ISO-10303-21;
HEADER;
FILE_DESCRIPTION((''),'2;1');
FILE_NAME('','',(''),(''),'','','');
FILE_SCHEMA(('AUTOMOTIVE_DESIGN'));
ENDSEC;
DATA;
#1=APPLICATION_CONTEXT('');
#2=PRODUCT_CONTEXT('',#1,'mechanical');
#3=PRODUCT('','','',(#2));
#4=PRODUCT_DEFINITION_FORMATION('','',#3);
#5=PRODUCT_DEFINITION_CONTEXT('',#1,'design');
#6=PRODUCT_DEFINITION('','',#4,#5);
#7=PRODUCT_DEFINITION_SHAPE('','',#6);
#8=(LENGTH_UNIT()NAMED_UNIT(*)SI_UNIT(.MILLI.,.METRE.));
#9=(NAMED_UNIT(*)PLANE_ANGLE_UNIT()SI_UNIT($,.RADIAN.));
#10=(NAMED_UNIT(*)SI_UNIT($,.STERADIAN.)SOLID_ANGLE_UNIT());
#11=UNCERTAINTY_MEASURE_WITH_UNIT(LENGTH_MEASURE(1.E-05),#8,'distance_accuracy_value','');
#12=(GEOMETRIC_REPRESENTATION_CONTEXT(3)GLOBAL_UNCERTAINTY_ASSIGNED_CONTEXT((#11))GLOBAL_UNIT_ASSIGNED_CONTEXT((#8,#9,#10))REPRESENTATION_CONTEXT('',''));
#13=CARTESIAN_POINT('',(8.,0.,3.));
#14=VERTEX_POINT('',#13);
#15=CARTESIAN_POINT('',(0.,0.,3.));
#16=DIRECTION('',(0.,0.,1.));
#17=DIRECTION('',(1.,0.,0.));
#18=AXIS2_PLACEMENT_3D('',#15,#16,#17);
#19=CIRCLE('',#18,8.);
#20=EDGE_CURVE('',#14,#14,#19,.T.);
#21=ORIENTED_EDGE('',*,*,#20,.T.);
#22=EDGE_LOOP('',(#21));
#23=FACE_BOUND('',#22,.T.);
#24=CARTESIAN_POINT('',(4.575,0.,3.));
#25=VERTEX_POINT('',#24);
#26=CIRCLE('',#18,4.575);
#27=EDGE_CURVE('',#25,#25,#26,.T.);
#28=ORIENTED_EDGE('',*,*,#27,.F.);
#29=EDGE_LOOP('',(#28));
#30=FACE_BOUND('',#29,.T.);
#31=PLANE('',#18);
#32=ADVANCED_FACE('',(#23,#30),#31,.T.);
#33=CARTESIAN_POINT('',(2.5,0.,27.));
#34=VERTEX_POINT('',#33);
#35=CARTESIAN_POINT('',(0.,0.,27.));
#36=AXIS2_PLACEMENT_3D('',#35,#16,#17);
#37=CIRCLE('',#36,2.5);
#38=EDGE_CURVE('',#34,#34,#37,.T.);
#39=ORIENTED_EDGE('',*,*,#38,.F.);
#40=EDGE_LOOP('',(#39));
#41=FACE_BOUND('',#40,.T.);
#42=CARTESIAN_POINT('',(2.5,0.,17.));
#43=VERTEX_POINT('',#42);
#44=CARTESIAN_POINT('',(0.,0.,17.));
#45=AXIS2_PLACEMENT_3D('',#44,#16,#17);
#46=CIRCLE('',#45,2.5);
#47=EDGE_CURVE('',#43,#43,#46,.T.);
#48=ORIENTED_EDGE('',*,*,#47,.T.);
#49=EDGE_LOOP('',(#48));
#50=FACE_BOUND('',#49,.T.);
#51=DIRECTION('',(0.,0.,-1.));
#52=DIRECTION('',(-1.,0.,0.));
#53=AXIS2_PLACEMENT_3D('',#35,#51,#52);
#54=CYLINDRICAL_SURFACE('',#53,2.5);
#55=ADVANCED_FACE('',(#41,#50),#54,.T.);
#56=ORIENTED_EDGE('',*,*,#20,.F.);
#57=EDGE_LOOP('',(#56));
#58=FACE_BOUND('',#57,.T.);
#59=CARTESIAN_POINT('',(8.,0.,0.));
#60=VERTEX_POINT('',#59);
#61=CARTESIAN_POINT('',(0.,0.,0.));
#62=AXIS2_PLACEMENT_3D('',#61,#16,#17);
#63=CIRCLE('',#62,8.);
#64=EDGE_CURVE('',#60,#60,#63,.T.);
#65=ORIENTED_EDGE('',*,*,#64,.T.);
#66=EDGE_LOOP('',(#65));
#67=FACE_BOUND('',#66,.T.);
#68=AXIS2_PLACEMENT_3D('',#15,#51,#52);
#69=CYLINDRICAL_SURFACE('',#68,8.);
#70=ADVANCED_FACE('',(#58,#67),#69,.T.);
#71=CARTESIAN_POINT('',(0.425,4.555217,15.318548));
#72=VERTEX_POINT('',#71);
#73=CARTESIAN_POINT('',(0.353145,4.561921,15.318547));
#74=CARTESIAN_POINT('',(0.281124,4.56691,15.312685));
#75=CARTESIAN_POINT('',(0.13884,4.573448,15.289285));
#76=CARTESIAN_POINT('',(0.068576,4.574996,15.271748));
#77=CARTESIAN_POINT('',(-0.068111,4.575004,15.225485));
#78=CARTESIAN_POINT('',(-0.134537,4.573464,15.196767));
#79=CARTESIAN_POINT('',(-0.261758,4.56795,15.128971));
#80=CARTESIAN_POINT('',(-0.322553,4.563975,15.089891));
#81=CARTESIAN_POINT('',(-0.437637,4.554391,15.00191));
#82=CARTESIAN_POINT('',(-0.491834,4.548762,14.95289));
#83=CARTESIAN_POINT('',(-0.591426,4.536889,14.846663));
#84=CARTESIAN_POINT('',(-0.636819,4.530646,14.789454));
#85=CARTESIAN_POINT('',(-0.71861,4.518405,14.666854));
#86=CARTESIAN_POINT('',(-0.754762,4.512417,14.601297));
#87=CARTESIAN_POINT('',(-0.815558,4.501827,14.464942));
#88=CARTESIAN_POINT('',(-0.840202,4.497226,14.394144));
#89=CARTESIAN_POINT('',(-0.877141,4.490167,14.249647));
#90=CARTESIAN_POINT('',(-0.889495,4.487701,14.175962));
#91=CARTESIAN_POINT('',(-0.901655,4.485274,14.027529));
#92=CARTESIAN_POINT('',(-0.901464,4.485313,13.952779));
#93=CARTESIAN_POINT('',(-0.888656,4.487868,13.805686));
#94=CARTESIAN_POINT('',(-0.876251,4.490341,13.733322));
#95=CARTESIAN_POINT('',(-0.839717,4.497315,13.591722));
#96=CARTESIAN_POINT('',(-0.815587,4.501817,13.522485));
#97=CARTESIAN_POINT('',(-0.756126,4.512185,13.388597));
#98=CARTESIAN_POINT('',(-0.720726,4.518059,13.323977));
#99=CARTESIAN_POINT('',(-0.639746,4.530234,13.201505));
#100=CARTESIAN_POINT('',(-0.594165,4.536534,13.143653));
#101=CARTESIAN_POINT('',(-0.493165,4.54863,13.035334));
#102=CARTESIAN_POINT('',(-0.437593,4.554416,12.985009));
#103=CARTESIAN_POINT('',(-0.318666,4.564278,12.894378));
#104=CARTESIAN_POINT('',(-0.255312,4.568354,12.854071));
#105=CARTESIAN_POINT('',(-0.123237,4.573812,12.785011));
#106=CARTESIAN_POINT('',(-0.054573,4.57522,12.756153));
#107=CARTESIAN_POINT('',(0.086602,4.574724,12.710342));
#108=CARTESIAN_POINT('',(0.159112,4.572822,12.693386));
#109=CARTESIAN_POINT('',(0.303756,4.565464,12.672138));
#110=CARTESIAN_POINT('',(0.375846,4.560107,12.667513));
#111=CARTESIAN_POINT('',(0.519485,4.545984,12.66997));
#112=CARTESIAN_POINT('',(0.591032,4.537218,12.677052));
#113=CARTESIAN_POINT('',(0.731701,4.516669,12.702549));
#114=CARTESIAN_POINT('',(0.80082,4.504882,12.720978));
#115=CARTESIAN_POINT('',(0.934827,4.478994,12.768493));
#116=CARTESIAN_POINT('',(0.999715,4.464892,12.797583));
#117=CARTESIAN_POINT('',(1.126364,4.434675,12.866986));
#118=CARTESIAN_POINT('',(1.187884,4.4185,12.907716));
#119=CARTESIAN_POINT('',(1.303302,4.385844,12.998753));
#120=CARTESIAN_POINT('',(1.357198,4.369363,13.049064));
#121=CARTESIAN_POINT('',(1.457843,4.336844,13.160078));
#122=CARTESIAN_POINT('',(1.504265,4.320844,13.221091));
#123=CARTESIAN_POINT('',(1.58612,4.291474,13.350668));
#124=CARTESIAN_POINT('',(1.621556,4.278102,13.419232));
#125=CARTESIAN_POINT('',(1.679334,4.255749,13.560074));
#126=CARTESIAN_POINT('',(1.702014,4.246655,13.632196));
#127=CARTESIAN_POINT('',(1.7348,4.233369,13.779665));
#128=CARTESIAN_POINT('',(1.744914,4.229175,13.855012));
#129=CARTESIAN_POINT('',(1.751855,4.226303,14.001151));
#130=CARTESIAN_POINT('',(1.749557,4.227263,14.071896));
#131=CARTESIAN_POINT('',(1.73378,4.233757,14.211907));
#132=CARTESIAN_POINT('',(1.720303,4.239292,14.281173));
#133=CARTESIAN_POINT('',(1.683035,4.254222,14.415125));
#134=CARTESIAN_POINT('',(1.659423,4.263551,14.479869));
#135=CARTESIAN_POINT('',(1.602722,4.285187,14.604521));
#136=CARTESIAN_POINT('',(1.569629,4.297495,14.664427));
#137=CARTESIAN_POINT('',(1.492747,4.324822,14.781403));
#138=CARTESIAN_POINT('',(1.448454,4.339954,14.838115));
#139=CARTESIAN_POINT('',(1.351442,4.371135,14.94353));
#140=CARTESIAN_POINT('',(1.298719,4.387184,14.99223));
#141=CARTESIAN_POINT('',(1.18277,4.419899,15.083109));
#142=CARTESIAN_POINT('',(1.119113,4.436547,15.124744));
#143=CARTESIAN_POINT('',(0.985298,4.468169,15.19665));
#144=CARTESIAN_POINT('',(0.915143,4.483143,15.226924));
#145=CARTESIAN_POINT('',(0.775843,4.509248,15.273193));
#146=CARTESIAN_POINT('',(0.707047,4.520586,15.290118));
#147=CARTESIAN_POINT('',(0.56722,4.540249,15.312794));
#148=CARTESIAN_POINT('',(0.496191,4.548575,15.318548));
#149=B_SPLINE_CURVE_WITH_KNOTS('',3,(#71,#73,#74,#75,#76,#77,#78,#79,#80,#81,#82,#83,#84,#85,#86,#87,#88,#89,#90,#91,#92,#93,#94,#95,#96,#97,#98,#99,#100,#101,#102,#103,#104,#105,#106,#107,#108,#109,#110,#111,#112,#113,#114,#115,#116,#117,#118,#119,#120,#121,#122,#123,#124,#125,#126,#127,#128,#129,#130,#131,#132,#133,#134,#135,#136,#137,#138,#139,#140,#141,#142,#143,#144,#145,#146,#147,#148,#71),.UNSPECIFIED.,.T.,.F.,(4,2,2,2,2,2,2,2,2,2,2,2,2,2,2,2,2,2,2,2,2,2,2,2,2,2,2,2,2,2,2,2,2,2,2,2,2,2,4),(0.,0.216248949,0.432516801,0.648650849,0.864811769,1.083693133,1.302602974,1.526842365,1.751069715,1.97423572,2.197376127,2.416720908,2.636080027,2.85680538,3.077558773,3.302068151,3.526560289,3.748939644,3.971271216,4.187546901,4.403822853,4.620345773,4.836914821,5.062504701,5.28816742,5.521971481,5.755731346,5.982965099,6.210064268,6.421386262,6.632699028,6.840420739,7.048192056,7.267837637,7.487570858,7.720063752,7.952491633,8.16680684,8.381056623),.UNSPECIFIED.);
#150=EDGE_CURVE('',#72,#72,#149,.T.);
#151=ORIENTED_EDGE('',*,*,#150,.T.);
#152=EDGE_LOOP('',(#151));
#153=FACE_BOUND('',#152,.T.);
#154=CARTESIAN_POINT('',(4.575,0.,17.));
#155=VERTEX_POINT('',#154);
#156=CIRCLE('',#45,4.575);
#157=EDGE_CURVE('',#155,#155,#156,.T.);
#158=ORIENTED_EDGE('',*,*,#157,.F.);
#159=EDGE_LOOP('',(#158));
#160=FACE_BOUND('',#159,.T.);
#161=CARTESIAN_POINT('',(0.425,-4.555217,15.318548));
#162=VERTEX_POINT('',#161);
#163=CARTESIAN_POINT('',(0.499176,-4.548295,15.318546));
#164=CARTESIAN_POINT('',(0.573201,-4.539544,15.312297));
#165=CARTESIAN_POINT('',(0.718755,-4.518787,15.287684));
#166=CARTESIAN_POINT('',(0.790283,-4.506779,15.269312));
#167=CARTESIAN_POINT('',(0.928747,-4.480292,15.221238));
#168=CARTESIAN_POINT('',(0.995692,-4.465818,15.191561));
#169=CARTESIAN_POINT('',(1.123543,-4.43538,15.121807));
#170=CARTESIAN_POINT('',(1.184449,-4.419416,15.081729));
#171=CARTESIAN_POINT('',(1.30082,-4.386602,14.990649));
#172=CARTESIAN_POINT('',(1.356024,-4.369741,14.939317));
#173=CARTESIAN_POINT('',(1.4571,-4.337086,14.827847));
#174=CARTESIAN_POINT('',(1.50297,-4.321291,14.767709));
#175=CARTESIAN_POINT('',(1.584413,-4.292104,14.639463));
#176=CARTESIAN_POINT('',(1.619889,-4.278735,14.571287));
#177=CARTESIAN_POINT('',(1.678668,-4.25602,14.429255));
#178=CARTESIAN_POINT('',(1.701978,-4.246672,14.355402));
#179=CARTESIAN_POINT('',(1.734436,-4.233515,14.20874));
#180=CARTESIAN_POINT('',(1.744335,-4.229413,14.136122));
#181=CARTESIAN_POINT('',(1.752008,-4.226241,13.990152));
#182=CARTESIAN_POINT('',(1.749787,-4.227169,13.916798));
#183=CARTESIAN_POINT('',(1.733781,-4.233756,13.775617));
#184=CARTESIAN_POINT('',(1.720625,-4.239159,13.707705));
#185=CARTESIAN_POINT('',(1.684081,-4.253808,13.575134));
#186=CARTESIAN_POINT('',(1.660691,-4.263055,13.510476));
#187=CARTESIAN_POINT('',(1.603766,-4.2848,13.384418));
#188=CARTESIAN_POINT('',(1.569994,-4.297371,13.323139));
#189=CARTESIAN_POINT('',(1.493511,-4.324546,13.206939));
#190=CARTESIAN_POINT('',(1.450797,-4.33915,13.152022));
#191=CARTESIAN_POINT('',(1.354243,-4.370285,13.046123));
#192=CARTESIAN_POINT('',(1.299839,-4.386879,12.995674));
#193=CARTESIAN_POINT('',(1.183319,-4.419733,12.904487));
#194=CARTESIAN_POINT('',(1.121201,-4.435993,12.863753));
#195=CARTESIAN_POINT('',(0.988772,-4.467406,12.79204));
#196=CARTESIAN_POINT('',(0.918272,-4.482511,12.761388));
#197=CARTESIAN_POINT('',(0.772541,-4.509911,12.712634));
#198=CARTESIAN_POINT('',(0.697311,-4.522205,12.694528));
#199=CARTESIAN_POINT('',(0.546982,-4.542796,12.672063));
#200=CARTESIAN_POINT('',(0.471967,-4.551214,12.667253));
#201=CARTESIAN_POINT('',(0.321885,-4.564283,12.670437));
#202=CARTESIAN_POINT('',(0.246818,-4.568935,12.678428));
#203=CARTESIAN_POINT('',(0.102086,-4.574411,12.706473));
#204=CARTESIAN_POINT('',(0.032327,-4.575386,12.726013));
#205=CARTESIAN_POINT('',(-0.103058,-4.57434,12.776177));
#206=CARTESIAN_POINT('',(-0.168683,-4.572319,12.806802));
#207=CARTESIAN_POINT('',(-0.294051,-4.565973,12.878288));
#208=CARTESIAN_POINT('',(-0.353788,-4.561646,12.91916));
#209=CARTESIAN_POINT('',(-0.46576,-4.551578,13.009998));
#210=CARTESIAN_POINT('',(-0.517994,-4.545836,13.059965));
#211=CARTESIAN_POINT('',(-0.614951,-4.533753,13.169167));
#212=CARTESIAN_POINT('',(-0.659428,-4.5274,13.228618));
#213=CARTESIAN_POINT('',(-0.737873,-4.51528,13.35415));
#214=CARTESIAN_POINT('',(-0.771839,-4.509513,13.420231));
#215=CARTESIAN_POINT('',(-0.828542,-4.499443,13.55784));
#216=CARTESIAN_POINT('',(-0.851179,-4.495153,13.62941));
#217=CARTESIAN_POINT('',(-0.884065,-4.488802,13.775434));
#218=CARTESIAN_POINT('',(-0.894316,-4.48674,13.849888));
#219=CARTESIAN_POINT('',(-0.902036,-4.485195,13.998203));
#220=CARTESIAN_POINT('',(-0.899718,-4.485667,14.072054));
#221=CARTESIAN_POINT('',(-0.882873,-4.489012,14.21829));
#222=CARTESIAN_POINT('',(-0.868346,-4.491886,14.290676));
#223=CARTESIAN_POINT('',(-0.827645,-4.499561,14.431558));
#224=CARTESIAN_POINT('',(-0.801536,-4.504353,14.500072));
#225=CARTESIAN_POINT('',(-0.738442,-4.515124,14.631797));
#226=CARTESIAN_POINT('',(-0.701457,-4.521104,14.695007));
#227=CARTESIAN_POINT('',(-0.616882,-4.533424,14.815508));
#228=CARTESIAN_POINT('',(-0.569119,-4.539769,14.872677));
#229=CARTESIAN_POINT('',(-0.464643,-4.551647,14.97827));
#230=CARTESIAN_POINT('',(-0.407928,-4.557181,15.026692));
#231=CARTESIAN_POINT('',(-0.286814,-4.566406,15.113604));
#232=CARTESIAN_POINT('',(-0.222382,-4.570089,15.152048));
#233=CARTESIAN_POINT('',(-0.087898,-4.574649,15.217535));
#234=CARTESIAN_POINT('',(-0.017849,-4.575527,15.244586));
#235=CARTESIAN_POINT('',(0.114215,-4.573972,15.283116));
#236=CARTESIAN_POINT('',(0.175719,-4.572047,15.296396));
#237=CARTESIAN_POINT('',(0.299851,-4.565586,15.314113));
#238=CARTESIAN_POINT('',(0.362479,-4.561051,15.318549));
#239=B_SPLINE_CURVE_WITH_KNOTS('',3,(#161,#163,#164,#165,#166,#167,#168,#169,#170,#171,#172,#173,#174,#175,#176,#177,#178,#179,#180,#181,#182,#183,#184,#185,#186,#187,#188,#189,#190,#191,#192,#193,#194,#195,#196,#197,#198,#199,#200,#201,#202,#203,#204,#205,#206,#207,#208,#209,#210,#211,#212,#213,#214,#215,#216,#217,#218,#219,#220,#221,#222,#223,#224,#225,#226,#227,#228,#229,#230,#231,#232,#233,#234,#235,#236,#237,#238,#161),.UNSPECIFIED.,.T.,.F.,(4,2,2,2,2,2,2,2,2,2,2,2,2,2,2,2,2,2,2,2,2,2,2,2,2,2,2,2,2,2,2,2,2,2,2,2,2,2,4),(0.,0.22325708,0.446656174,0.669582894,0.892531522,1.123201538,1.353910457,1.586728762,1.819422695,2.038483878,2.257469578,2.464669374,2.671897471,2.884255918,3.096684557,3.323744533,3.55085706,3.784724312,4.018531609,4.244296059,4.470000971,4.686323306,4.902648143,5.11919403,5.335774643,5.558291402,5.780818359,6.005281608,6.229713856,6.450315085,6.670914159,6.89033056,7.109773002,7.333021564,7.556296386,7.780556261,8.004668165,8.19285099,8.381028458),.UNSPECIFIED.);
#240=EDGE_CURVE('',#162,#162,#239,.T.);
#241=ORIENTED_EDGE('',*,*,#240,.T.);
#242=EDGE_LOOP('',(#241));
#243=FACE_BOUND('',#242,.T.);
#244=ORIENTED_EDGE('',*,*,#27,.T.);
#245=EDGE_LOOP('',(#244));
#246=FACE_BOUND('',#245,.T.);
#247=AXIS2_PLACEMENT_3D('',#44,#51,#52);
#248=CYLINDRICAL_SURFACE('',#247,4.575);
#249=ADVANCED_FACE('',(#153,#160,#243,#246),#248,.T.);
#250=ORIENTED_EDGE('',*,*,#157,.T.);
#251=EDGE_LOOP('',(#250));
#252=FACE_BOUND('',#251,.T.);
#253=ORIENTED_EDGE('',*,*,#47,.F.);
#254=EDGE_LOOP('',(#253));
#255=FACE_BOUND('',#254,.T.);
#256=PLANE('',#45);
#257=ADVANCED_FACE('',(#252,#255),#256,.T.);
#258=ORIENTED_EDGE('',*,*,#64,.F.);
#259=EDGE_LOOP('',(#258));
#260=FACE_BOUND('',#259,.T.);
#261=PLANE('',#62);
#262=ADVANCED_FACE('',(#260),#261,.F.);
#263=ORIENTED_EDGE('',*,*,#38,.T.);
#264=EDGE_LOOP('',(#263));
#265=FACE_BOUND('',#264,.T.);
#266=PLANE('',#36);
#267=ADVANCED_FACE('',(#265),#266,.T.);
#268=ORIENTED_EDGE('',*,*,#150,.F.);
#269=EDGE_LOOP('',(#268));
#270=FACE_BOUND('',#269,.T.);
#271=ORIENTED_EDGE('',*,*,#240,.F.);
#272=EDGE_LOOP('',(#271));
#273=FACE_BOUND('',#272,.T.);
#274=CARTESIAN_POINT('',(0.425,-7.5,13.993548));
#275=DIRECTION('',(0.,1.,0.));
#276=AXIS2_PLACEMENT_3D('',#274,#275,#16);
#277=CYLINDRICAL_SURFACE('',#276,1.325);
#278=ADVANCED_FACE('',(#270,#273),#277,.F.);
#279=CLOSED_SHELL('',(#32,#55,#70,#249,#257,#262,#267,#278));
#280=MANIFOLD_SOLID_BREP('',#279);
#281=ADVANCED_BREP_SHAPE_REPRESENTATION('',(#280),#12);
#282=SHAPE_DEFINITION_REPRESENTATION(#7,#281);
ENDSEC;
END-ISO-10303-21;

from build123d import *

# Parameters (mm, degrees)
SKETCH1_R           = 8
BOSS_EXTRUDE1_DEPTH = 3
SKETCH2_R           = 4.575
BOSS_EXTRUDE2_DEPTH = 14
SKETCH3_R           = 2.5
BOSS_EXTRUDE3_DEPTH = 10
SKETCH4_R           = 1.325
CUT_EXTRUDE1_DEPTH  = 7.5


with BuildPart() as part:
    # Sketch1 → Boss-Extrude1 (new body)
    with BuildSketch(Plane.XY):
        Circle(SKETCH1_R)
    extrude(amount=BOSS_EXTRUDE1_DEPTH)

    # Sketch2 → Boss-Extrude2 (add)
    with BuildSketch(Plane.XY.offset(3)):
        Circle(SKETCH2_R)
    extrude(amount=BOSS_EXTRUDE2_DEPTH)

    # Sketch3 → Boss-Extrude3 (add)
    with BuildSketch(Plane.XY.offset(17)):
        Circle(SKETCH3_R)
    extrude(amount=BOSS_EXTRUDE3_DEPTH)

    # Sketch4 → Cut-Extrude1 (cut, symmetric)
    with BuildSketch(Plane(origin=(0, 0, 0), x_dir=(1, 0, 0), z_dir=(0, 1, 0))):
        with Locations((0.425, -13.99354762)):
            Circle(SKETCH4_R)
    extrude(amount=CUT_EXTRUDE1_DEPTH, both=True, mode=Mode.SUBTRACT)


solid = part.part
